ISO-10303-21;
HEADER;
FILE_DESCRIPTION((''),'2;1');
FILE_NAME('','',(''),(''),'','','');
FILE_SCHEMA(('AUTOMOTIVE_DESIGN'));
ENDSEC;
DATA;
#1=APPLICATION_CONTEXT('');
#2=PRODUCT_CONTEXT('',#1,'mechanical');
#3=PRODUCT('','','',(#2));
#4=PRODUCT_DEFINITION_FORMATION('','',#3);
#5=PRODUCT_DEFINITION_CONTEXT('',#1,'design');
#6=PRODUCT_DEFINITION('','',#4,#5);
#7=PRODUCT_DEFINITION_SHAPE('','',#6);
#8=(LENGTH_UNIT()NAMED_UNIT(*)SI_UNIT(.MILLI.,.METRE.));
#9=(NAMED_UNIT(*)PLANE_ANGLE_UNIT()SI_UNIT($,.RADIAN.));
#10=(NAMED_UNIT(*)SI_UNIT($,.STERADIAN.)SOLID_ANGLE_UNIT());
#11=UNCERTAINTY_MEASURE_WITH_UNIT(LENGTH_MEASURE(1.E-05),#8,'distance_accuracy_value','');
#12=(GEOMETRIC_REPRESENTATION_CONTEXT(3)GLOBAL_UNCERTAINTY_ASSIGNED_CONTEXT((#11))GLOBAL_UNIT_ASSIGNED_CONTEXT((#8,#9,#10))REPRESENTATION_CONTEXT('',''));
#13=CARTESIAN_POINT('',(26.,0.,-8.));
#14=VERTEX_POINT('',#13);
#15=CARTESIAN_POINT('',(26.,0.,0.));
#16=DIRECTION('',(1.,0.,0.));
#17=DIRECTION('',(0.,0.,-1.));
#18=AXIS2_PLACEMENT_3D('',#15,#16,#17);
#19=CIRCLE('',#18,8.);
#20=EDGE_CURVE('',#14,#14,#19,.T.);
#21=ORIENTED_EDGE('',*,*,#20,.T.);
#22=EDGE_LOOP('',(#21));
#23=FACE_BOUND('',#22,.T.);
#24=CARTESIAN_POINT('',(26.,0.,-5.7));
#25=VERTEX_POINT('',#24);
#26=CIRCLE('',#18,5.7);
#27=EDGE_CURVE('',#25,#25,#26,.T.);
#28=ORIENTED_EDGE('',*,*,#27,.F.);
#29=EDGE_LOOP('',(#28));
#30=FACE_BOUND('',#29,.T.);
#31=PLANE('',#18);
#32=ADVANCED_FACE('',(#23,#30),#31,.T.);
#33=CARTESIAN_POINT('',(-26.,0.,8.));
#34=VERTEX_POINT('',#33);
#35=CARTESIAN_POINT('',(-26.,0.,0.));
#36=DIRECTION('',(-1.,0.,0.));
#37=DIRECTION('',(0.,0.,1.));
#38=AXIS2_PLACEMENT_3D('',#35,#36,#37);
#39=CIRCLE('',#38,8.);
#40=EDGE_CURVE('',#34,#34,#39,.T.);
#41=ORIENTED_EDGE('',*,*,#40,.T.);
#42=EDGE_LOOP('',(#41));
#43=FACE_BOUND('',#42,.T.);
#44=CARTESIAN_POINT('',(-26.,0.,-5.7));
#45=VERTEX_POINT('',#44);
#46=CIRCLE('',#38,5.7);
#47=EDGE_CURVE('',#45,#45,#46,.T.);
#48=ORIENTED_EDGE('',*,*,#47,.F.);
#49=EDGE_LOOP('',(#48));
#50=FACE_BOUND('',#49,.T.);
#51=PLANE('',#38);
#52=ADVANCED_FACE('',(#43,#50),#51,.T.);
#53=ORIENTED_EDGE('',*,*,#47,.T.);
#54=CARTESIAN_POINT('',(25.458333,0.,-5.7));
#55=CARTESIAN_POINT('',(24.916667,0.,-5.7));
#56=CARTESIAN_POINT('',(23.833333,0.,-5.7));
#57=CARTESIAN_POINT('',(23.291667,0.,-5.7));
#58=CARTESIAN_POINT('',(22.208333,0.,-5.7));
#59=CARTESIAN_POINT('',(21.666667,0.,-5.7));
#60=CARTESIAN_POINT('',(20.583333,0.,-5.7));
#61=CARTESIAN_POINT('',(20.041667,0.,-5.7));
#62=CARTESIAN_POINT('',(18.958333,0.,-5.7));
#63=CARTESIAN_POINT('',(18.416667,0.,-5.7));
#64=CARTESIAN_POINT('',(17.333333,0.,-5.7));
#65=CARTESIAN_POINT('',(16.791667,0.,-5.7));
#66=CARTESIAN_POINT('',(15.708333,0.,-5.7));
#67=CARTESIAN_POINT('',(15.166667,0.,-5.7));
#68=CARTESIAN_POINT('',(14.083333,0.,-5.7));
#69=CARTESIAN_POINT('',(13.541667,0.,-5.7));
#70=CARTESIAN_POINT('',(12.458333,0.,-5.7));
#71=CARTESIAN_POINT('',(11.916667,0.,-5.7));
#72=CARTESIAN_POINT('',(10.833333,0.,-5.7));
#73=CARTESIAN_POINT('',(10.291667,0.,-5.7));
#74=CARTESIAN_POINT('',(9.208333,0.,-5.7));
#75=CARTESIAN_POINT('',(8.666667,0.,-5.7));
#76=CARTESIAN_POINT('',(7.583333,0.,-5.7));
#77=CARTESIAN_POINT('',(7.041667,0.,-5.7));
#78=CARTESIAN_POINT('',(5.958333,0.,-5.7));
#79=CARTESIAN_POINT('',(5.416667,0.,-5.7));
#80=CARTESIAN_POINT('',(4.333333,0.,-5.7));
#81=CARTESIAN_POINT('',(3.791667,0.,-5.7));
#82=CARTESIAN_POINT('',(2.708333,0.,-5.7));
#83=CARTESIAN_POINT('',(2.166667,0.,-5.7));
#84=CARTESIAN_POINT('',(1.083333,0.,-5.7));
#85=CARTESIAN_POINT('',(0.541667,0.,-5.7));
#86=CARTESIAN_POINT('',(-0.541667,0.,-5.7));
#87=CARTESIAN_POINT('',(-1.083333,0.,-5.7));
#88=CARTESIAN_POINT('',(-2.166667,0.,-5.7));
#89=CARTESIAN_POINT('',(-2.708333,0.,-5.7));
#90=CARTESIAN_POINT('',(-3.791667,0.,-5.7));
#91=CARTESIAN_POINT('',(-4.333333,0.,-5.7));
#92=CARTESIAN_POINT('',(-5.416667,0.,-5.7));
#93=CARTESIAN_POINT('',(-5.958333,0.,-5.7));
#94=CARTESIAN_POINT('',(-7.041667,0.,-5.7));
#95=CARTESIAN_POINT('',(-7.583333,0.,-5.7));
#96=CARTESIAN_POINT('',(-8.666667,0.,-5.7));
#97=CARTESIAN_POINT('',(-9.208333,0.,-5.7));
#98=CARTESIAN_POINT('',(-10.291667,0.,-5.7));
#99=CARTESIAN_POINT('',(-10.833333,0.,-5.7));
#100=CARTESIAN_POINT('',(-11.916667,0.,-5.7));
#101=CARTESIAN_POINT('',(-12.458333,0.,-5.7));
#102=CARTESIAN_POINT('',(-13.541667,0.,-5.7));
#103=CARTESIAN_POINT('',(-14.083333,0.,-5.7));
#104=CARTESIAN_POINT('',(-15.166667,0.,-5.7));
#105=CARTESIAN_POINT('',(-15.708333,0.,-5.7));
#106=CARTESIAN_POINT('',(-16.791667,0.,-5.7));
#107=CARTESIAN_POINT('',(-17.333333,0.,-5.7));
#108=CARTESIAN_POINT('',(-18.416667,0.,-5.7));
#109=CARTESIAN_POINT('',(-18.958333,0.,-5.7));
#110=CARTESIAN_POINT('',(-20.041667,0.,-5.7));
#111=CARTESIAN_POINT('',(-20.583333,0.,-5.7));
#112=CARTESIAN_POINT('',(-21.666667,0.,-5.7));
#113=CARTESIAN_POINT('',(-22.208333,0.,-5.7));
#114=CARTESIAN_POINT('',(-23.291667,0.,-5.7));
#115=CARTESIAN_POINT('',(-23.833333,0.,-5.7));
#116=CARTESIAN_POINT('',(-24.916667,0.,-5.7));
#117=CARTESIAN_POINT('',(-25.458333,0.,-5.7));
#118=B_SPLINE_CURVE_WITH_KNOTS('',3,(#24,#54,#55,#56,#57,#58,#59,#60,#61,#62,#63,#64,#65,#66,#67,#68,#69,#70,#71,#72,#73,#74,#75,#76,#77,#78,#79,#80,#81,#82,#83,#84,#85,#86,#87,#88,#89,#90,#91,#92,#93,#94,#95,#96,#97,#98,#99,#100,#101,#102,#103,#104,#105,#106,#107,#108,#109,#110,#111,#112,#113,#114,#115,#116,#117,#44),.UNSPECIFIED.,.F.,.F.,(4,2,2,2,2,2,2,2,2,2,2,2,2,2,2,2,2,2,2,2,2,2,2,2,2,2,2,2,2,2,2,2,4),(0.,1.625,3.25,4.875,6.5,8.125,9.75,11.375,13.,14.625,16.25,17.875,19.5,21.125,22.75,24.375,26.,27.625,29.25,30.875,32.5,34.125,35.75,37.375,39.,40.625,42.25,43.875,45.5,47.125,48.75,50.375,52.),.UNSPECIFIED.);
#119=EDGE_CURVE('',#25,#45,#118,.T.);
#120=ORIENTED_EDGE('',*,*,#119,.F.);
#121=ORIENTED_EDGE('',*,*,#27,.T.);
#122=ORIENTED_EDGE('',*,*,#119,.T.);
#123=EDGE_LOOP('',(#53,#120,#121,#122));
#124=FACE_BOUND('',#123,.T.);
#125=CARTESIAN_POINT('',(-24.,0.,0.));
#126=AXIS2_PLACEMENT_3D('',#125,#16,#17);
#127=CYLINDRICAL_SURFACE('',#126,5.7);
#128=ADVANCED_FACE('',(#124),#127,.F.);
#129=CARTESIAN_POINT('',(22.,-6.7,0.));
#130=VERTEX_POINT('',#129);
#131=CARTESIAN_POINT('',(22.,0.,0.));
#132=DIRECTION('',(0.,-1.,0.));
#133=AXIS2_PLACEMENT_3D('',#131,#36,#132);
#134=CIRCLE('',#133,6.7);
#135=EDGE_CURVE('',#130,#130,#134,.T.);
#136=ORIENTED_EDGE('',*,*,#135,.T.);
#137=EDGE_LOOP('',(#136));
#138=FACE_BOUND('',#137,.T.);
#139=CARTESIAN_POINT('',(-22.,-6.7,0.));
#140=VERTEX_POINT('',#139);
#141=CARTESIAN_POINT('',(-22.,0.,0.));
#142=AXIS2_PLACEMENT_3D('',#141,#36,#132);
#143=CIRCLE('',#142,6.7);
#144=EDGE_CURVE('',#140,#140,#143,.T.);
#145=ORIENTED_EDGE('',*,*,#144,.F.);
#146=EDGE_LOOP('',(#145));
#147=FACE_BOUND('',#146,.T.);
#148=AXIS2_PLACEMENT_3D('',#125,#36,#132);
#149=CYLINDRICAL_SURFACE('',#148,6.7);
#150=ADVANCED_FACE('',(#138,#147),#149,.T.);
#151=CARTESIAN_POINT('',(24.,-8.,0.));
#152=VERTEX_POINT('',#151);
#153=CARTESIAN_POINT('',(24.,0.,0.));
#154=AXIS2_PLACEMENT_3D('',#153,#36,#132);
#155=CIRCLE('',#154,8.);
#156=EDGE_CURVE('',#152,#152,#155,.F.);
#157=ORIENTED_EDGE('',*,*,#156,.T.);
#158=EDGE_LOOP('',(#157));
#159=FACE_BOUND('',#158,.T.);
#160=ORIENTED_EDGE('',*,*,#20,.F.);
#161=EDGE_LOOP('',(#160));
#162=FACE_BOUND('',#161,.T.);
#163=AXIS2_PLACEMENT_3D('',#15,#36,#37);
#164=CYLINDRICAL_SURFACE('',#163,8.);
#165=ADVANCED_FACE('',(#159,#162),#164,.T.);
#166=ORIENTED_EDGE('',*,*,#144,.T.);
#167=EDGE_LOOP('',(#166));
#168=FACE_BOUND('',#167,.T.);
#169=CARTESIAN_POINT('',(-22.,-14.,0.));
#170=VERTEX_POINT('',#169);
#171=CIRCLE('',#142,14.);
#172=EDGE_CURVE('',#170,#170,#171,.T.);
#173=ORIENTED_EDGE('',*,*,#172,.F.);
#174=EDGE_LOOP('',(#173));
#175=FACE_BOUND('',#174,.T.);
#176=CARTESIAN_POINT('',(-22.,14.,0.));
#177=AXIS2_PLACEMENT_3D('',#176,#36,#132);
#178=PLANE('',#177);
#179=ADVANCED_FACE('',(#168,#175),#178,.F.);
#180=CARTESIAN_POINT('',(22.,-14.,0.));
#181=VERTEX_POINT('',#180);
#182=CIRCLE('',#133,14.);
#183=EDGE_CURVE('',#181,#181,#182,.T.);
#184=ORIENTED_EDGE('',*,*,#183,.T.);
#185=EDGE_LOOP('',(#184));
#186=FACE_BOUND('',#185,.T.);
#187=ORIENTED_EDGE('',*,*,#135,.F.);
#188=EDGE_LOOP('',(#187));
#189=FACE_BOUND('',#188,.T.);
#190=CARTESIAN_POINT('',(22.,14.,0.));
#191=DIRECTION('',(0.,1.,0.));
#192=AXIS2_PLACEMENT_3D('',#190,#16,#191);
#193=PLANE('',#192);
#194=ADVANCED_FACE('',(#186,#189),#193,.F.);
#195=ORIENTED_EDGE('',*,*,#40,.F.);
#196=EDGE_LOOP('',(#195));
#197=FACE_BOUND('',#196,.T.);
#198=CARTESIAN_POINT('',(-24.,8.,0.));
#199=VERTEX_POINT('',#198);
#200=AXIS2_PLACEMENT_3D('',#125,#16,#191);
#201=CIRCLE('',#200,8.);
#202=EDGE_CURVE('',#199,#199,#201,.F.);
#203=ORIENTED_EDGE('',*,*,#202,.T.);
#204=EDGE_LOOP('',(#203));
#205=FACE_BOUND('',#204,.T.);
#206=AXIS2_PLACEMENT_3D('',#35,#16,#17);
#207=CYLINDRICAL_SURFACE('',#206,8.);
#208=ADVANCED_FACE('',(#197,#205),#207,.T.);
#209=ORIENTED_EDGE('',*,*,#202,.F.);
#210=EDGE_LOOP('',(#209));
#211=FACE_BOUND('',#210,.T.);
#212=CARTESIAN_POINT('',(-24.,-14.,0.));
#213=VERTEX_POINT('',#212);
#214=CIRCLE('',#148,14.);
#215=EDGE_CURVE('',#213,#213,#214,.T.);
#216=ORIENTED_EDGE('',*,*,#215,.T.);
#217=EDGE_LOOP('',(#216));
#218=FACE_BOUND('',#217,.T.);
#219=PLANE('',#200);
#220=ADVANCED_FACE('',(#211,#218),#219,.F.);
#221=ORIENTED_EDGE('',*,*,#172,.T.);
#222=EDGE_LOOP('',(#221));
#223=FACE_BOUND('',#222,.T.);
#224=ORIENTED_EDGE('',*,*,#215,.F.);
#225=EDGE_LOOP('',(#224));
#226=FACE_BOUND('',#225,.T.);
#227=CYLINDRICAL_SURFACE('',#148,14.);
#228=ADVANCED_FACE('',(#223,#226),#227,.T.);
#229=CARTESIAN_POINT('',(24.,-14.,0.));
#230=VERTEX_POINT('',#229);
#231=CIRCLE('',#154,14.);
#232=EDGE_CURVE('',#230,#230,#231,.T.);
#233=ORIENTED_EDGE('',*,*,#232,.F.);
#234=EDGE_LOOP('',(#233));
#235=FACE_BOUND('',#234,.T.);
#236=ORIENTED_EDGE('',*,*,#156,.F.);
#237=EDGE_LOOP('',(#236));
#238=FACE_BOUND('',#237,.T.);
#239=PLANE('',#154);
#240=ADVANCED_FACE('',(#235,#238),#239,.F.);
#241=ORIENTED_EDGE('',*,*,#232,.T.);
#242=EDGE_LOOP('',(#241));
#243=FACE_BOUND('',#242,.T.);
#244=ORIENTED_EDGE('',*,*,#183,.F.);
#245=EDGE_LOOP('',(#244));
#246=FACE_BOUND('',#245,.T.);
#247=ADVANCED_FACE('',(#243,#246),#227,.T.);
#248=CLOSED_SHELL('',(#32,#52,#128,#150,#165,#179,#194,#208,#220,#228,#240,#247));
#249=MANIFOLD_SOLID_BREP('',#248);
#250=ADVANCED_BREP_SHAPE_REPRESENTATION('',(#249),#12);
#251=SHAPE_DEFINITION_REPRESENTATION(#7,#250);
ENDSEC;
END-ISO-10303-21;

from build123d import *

# Parameters (mm, degrees)
SKETCH2_R           = 5.7
CUT_EXTRUDE1_DEPTH  = 52.923019943
BOSS_EXTRUDE1_START = 2
SKETCH3_R           = 8
SKETCH3_R_2         = 5.7
BOSS_EXTRUDE1_DEPTH = 2
SKETCH4_R           = 8
SKETCH4_R_2         = 5.7
BOSS_EXTRUDE2_DEPTH = 2


with BuildPart() as part:
    # Sketch1 → Revolve1 (revolve)
    with BuildSketch(Plane.XY, mode=Mode.PRIVATE) as revolve1_sk:
        Polygon((-24, 0), (24, 0), (24, 14), (22, 14), (22, 6.7), (-22, 6.7), (-22, 14), (-24, 14), align=None)
    revolve(revolve1_sk.sketch.rotate(Axis((-24, 0, 0), (1, 0, 0)), 180), axis=Axis((-24, 0, 0), (1, 0, 0)))

    # Sketch2 → Cut-Extrude1 (cut, through all)
    with BuildSketch(Plane(origin=(24, 0, 0), x_dir=(0, 0, -1), z_dir=(1, 0, 0))):
        Circle(SKETCH2_R)
    extrude(amount=-CUT_EXTRUDE1_DEPTH, mode=Mode.SUBTRACT)

    # Sketch3 → Boss-Extrude1 (add)
    with BuildSketch(Plane(origin=(24, 0, 0), x_dir=(0, 0, -1), z_dir=(1, 0, 0)).offset(BOSS_EXTRUDE1_START)):
        with Locations(Location((0, 0, 0), (0, 0, 270))):
            Circle(SKETCH3_R)
        Circle(SKETCH3_R_2, mode=Mode.SUBTRACT)
    extrude(amount=-BOSS_EXTRUDE1_DEPTH)

    # Sketch4 → Boss-Extrude2 (add)
    with BuildSketch(Plane.ZY.offset(24)):
        with Locations(Location((0, 0, 0), (0, 0, 270))):
            Circle(SKETCH4_R)
        with Locations(Location((0, 0, 0), (0, 0, 180))):
            Circle(SKETCH4_R_2, mode=Mode.SUBTRACT)
    extrude(amount=BOSS_EXTRUDE2_DEPTH)


solid = part.part
